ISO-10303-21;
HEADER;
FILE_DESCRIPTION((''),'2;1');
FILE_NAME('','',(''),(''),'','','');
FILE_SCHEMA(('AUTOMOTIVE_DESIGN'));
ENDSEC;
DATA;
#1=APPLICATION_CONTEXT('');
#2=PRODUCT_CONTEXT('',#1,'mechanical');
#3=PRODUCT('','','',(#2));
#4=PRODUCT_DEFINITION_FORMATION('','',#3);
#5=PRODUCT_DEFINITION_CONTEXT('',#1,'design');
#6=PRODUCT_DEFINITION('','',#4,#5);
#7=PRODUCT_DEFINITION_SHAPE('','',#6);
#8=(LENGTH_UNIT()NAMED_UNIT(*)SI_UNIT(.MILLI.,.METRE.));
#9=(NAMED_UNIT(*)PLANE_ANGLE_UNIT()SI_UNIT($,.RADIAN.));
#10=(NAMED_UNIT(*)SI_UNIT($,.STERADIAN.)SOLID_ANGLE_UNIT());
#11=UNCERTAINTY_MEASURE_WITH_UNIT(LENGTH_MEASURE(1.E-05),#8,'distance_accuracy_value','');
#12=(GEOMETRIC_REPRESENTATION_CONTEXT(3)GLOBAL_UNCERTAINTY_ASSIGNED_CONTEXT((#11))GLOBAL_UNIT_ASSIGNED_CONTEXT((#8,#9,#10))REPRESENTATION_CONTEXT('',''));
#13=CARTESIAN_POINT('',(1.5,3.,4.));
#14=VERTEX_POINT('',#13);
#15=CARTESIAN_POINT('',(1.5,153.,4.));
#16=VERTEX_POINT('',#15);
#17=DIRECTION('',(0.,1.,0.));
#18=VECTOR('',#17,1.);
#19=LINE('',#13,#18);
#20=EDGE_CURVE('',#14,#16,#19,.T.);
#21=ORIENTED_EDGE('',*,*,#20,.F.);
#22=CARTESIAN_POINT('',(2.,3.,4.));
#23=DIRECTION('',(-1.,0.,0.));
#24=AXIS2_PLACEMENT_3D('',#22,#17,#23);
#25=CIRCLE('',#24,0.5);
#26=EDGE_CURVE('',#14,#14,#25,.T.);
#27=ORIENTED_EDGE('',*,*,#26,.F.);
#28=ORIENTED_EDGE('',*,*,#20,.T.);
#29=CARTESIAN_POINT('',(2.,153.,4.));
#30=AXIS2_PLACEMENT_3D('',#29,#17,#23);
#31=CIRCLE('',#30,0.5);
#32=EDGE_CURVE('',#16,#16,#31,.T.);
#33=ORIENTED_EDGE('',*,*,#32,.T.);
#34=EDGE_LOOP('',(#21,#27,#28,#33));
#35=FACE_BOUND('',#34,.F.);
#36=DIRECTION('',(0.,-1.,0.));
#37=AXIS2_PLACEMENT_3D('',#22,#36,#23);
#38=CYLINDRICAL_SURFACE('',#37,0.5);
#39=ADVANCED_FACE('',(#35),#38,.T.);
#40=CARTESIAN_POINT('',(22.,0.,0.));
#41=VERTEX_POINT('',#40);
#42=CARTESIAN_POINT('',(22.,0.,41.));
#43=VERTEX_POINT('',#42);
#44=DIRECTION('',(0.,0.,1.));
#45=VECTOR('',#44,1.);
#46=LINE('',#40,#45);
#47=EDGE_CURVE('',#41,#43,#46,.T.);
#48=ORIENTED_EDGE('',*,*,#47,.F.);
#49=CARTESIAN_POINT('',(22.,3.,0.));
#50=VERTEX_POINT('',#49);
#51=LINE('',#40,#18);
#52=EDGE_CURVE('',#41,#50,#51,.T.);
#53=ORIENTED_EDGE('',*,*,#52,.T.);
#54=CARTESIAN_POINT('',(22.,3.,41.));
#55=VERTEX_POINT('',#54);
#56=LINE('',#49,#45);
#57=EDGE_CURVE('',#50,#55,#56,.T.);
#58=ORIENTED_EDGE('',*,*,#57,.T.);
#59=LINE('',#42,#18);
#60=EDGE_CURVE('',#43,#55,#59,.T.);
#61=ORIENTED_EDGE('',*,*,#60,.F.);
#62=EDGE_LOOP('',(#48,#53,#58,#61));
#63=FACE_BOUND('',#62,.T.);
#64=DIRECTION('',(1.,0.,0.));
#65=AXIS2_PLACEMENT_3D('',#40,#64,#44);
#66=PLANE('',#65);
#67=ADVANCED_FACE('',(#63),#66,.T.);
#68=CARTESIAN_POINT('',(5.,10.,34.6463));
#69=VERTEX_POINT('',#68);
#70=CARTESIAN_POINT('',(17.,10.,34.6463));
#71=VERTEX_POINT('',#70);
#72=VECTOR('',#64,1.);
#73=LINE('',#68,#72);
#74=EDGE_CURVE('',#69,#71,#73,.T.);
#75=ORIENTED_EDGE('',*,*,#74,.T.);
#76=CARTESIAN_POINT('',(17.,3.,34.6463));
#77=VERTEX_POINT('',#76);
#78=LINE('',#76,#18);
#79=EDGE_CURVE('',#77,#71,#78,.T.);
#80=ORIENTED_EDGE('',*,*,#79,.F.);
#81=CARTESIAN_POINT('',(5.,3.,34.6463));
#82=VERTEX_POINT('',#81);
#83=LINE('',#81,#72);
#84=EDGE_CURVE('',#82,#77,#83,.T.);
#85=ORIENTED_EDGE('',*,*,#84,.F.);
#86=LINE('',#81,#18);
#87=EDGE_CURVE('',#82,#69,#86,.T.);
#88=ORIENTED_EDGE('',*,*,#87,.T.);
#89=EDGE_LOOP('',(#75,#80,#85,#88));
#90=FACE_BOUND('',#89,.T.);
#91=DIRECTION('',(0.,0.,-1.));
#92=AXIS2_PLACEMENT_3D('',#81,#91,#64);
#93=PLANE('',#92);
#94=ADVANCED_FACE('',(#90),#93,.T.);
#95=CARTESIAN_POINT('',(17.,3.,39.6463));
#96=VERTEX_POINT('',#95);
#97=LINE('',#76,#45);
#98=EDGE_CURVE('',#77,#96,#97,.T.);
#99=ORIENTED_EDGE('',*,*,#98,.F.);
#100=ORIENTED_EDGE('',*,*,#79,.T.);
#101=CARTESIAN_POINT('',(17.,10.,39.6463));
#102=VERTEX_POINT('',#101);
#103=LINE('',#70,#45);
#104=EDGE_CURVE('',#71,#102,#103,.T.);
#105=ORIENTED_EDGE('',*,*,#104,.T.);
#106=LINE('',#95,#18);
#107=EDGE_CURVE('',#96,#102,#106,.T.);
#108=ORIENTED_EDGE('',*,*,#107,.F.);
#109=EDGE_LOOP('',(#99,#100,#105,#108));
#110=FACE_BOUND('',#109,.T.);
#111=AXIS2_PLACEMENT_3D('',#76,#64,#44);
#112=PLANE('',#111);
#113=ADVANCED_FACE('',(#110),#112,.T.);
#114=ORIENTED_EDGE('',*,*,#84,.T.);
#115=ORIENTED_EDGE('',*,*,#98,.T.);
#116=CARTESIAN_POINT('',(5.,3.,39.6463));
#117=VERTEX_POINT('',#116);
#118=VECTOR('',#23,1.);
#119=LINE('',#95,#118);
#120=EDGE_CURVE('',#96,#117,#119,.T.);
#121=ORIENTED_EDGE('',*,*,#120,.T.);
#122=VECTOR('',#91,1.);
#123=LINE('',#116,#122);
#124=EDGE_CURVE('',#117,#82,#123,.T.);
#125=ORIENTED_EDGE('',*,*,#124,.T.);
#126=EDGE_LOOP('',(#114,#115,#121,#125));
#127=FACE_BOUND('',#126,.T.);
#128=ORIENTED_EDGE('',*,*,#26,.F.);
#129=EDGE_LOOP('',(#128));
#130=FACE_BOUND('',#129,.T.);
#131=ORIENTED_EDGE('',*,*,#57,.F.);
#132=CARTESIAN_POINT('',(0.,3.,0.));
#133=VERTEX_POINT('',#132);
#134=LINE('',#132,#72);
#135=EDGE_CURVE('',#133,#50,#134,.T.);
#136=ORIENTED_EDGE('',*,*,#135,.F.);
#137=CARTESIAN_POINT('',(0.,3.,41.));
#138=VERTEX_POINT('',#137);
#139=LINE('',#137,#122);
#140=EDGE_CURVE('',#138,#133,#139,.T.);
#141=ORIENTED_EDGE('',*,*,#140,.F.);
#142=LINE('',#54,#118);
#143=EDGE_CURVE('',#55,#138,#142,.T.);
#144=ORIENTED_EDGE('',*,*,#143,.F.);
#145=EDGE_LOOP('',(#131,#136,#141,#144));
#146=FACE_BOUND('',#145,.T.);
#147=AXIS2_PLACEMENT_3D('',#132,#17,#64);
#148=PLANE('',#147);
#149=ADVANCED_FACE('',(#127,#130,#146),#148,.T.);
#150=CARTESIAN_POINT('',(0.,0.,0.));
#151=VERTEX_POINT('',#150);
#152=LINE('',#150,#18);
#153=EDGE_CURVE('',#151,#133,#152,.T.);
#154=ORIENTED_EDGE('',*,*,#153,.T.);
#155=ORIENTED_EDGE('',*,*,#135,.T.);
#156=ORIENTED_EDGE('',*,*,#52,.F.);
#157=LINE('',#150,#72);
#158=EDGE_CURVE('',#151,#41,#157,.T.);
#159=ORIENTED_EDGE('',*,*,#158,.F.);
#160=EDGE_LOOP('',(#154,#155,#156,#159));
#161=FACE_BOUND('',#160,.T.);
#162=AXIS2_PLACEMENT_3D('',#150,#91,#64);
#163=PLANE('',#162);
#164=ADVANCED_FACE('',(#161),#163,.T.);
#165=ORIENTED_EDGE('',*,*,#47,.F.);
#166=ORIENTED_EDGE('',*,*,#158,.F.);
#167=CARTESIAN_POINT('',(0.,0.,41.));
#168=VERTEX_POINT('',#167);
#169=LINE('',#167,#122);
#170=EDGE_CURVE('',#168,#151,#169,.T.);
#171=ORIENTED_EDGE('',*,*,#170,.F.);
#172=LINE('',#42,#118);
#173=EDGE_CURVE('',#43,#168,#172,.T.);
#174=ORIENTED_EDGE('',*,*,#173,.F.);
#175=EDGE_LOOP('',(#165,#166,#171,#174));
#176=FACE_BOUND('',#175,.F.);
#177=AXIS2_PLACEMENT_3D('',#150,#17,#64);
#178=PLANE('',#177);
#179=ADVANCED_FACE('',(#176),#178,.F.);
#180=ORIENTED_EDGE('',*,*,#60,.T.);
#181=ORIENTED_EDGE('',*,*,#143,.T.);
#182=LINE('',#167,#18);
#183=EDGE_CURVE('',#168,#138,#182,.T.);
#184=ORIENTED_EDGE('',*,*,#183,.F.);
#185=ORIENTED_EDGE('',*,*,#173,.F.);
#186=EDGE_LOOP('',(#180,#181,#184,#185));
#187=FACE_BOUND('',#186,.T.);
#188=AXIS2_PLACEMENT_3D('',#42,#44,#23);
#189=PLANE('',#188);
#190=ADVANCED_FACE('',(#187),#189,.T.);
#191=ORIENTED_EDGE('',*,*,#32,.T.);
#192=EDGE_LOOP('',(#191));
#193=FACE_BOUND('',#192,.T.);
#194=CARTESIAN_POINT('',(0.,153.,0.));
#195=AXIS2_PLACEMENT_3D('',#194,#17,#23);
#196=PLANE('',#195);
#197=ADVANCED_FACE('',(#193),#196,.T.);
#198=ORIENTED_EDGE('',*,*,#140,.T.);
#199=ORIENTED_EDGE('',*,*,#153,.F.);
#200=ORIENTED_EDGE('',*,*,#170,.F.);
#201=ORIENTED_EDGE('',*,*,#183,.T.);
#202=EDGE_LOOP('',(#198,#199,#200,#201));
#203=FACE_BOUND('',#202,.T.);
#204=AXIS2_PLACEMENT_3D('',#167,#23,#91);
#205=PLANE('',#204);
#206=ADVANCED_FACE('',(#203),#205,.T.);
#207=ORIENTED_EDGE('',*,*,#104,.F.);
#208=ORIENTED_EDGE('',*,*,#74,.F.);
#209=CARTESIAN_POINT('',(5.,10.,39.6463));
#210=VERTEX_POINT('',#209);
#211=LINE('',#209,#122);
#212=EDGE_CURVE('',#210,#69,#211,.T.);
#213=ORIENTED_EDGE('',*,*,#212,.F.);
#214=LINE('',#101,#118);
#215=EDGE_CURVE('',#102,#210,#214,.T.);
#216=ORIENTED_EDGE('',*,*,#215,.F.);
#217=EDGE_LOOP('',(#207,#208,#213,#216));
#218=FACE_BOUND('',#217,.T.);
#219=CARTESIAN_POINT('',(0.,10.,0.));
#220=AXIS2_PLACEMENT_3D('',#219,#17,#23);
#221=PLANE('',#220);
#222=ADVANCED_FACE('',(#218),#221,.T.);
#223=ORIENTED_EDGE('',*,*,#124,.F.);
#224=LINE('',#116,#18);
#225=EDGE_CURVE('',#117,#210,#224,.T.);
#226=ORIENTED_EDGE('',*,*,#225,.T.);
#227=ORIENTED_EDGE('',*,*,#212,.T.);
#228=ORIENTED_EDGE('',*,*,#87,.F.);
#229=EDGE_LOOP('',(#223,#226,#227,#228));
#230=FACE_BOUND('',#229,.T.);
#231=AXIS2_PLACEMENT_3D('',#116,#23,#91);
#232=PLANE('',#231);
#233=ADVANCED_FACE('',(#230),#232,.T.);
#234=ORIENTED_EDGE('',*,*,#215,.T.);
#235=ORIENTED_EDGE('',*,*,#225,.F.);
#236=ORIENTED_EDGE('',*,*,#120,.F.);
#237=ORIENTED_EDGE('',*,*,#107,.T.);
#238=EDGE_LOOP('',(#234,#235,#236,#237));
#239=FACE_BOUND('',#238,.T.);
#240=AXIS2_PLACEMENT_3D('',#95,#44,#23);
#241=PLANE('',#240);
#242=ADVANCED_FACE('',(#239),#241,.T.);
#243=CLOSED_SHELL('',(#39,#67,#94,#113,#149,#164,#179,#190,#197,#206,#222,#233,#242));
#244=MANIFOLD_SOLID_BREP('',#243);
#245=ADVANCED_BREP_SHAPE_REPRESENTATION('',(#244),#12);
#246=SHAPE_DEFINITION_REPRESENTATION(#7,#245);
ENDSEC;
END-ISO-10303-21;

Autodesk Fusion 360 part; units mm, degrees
sketch "Sketch1" plane through (0, 0, 0) normal (0, 1, 0) x (1, 0, 0)
  line L0 (0, 0) -> (22, 0)
  line L1 (22, 0) -> (22, -41)
  line L2 (22, -41) -> (0, -41)
  line L3 (0, -41) -> (0, 0)
  dimension "d1" = 22
  dimension "d2" = 41
extrude "Extrude1" add sketch "Sketch1" along normal blind 3
sketch "Sketch2" plane through (0, 3, 0) normal (0, 1, 0) x (-1, 0, 0)
  line L0 (0, 41) -> (-22, 41)
  line L1 (-22, 41) -> (-22, 0)
  line L2 (-22, 0) -> (0, 0)
  line L3 (0, 0) -> (0, 41)
  line L4 (-5, 34.6463) -> (-17, 34.6463)
  line L5 (-17, 34.6463) -> (-17, 39.6463)
  line L6 (-17, 39.6463) -> (-5, 39.6463)
  line L7 (-5, 39.6463) -> (-5, 34.6463)
  dimension "d5" = 12
  dimension "d6" = 5
  dimension "d7" = 5
  dimension "d8" = 5
extrude "Extrude2" add sketch "Sketch2" along normal blind 7 contours L4 L5 L6 L7
sketch "Sketch3" plane through (0, 3, 0) normal (0, 1, 0) x (-1, 0, 0)
  line L0 (-5, 39.6463) -> (-5, 34.6463)
  line L1 (-5, 34.6463) -> (-17, 34.6463)
  line L2 (-17, 34.6463) -> (-17, 39.6463)
  line L3 (-17, 39.6463) -> (-5, 39.6463)
  line L4 (0, 41) -> (-22, 41)
  line L5 (-22, 41) -> (-22, 0)
  line L6 (-22, 0) -> (0, 0)
  line L7 (0, 0) -> (0, 41)
  circle A0 centre (-2, 4) radius 0.5
  dimension "d11" = 1
extrude "Extrude3" add sketch "Sketch3" along normal blind 150 contours A0
